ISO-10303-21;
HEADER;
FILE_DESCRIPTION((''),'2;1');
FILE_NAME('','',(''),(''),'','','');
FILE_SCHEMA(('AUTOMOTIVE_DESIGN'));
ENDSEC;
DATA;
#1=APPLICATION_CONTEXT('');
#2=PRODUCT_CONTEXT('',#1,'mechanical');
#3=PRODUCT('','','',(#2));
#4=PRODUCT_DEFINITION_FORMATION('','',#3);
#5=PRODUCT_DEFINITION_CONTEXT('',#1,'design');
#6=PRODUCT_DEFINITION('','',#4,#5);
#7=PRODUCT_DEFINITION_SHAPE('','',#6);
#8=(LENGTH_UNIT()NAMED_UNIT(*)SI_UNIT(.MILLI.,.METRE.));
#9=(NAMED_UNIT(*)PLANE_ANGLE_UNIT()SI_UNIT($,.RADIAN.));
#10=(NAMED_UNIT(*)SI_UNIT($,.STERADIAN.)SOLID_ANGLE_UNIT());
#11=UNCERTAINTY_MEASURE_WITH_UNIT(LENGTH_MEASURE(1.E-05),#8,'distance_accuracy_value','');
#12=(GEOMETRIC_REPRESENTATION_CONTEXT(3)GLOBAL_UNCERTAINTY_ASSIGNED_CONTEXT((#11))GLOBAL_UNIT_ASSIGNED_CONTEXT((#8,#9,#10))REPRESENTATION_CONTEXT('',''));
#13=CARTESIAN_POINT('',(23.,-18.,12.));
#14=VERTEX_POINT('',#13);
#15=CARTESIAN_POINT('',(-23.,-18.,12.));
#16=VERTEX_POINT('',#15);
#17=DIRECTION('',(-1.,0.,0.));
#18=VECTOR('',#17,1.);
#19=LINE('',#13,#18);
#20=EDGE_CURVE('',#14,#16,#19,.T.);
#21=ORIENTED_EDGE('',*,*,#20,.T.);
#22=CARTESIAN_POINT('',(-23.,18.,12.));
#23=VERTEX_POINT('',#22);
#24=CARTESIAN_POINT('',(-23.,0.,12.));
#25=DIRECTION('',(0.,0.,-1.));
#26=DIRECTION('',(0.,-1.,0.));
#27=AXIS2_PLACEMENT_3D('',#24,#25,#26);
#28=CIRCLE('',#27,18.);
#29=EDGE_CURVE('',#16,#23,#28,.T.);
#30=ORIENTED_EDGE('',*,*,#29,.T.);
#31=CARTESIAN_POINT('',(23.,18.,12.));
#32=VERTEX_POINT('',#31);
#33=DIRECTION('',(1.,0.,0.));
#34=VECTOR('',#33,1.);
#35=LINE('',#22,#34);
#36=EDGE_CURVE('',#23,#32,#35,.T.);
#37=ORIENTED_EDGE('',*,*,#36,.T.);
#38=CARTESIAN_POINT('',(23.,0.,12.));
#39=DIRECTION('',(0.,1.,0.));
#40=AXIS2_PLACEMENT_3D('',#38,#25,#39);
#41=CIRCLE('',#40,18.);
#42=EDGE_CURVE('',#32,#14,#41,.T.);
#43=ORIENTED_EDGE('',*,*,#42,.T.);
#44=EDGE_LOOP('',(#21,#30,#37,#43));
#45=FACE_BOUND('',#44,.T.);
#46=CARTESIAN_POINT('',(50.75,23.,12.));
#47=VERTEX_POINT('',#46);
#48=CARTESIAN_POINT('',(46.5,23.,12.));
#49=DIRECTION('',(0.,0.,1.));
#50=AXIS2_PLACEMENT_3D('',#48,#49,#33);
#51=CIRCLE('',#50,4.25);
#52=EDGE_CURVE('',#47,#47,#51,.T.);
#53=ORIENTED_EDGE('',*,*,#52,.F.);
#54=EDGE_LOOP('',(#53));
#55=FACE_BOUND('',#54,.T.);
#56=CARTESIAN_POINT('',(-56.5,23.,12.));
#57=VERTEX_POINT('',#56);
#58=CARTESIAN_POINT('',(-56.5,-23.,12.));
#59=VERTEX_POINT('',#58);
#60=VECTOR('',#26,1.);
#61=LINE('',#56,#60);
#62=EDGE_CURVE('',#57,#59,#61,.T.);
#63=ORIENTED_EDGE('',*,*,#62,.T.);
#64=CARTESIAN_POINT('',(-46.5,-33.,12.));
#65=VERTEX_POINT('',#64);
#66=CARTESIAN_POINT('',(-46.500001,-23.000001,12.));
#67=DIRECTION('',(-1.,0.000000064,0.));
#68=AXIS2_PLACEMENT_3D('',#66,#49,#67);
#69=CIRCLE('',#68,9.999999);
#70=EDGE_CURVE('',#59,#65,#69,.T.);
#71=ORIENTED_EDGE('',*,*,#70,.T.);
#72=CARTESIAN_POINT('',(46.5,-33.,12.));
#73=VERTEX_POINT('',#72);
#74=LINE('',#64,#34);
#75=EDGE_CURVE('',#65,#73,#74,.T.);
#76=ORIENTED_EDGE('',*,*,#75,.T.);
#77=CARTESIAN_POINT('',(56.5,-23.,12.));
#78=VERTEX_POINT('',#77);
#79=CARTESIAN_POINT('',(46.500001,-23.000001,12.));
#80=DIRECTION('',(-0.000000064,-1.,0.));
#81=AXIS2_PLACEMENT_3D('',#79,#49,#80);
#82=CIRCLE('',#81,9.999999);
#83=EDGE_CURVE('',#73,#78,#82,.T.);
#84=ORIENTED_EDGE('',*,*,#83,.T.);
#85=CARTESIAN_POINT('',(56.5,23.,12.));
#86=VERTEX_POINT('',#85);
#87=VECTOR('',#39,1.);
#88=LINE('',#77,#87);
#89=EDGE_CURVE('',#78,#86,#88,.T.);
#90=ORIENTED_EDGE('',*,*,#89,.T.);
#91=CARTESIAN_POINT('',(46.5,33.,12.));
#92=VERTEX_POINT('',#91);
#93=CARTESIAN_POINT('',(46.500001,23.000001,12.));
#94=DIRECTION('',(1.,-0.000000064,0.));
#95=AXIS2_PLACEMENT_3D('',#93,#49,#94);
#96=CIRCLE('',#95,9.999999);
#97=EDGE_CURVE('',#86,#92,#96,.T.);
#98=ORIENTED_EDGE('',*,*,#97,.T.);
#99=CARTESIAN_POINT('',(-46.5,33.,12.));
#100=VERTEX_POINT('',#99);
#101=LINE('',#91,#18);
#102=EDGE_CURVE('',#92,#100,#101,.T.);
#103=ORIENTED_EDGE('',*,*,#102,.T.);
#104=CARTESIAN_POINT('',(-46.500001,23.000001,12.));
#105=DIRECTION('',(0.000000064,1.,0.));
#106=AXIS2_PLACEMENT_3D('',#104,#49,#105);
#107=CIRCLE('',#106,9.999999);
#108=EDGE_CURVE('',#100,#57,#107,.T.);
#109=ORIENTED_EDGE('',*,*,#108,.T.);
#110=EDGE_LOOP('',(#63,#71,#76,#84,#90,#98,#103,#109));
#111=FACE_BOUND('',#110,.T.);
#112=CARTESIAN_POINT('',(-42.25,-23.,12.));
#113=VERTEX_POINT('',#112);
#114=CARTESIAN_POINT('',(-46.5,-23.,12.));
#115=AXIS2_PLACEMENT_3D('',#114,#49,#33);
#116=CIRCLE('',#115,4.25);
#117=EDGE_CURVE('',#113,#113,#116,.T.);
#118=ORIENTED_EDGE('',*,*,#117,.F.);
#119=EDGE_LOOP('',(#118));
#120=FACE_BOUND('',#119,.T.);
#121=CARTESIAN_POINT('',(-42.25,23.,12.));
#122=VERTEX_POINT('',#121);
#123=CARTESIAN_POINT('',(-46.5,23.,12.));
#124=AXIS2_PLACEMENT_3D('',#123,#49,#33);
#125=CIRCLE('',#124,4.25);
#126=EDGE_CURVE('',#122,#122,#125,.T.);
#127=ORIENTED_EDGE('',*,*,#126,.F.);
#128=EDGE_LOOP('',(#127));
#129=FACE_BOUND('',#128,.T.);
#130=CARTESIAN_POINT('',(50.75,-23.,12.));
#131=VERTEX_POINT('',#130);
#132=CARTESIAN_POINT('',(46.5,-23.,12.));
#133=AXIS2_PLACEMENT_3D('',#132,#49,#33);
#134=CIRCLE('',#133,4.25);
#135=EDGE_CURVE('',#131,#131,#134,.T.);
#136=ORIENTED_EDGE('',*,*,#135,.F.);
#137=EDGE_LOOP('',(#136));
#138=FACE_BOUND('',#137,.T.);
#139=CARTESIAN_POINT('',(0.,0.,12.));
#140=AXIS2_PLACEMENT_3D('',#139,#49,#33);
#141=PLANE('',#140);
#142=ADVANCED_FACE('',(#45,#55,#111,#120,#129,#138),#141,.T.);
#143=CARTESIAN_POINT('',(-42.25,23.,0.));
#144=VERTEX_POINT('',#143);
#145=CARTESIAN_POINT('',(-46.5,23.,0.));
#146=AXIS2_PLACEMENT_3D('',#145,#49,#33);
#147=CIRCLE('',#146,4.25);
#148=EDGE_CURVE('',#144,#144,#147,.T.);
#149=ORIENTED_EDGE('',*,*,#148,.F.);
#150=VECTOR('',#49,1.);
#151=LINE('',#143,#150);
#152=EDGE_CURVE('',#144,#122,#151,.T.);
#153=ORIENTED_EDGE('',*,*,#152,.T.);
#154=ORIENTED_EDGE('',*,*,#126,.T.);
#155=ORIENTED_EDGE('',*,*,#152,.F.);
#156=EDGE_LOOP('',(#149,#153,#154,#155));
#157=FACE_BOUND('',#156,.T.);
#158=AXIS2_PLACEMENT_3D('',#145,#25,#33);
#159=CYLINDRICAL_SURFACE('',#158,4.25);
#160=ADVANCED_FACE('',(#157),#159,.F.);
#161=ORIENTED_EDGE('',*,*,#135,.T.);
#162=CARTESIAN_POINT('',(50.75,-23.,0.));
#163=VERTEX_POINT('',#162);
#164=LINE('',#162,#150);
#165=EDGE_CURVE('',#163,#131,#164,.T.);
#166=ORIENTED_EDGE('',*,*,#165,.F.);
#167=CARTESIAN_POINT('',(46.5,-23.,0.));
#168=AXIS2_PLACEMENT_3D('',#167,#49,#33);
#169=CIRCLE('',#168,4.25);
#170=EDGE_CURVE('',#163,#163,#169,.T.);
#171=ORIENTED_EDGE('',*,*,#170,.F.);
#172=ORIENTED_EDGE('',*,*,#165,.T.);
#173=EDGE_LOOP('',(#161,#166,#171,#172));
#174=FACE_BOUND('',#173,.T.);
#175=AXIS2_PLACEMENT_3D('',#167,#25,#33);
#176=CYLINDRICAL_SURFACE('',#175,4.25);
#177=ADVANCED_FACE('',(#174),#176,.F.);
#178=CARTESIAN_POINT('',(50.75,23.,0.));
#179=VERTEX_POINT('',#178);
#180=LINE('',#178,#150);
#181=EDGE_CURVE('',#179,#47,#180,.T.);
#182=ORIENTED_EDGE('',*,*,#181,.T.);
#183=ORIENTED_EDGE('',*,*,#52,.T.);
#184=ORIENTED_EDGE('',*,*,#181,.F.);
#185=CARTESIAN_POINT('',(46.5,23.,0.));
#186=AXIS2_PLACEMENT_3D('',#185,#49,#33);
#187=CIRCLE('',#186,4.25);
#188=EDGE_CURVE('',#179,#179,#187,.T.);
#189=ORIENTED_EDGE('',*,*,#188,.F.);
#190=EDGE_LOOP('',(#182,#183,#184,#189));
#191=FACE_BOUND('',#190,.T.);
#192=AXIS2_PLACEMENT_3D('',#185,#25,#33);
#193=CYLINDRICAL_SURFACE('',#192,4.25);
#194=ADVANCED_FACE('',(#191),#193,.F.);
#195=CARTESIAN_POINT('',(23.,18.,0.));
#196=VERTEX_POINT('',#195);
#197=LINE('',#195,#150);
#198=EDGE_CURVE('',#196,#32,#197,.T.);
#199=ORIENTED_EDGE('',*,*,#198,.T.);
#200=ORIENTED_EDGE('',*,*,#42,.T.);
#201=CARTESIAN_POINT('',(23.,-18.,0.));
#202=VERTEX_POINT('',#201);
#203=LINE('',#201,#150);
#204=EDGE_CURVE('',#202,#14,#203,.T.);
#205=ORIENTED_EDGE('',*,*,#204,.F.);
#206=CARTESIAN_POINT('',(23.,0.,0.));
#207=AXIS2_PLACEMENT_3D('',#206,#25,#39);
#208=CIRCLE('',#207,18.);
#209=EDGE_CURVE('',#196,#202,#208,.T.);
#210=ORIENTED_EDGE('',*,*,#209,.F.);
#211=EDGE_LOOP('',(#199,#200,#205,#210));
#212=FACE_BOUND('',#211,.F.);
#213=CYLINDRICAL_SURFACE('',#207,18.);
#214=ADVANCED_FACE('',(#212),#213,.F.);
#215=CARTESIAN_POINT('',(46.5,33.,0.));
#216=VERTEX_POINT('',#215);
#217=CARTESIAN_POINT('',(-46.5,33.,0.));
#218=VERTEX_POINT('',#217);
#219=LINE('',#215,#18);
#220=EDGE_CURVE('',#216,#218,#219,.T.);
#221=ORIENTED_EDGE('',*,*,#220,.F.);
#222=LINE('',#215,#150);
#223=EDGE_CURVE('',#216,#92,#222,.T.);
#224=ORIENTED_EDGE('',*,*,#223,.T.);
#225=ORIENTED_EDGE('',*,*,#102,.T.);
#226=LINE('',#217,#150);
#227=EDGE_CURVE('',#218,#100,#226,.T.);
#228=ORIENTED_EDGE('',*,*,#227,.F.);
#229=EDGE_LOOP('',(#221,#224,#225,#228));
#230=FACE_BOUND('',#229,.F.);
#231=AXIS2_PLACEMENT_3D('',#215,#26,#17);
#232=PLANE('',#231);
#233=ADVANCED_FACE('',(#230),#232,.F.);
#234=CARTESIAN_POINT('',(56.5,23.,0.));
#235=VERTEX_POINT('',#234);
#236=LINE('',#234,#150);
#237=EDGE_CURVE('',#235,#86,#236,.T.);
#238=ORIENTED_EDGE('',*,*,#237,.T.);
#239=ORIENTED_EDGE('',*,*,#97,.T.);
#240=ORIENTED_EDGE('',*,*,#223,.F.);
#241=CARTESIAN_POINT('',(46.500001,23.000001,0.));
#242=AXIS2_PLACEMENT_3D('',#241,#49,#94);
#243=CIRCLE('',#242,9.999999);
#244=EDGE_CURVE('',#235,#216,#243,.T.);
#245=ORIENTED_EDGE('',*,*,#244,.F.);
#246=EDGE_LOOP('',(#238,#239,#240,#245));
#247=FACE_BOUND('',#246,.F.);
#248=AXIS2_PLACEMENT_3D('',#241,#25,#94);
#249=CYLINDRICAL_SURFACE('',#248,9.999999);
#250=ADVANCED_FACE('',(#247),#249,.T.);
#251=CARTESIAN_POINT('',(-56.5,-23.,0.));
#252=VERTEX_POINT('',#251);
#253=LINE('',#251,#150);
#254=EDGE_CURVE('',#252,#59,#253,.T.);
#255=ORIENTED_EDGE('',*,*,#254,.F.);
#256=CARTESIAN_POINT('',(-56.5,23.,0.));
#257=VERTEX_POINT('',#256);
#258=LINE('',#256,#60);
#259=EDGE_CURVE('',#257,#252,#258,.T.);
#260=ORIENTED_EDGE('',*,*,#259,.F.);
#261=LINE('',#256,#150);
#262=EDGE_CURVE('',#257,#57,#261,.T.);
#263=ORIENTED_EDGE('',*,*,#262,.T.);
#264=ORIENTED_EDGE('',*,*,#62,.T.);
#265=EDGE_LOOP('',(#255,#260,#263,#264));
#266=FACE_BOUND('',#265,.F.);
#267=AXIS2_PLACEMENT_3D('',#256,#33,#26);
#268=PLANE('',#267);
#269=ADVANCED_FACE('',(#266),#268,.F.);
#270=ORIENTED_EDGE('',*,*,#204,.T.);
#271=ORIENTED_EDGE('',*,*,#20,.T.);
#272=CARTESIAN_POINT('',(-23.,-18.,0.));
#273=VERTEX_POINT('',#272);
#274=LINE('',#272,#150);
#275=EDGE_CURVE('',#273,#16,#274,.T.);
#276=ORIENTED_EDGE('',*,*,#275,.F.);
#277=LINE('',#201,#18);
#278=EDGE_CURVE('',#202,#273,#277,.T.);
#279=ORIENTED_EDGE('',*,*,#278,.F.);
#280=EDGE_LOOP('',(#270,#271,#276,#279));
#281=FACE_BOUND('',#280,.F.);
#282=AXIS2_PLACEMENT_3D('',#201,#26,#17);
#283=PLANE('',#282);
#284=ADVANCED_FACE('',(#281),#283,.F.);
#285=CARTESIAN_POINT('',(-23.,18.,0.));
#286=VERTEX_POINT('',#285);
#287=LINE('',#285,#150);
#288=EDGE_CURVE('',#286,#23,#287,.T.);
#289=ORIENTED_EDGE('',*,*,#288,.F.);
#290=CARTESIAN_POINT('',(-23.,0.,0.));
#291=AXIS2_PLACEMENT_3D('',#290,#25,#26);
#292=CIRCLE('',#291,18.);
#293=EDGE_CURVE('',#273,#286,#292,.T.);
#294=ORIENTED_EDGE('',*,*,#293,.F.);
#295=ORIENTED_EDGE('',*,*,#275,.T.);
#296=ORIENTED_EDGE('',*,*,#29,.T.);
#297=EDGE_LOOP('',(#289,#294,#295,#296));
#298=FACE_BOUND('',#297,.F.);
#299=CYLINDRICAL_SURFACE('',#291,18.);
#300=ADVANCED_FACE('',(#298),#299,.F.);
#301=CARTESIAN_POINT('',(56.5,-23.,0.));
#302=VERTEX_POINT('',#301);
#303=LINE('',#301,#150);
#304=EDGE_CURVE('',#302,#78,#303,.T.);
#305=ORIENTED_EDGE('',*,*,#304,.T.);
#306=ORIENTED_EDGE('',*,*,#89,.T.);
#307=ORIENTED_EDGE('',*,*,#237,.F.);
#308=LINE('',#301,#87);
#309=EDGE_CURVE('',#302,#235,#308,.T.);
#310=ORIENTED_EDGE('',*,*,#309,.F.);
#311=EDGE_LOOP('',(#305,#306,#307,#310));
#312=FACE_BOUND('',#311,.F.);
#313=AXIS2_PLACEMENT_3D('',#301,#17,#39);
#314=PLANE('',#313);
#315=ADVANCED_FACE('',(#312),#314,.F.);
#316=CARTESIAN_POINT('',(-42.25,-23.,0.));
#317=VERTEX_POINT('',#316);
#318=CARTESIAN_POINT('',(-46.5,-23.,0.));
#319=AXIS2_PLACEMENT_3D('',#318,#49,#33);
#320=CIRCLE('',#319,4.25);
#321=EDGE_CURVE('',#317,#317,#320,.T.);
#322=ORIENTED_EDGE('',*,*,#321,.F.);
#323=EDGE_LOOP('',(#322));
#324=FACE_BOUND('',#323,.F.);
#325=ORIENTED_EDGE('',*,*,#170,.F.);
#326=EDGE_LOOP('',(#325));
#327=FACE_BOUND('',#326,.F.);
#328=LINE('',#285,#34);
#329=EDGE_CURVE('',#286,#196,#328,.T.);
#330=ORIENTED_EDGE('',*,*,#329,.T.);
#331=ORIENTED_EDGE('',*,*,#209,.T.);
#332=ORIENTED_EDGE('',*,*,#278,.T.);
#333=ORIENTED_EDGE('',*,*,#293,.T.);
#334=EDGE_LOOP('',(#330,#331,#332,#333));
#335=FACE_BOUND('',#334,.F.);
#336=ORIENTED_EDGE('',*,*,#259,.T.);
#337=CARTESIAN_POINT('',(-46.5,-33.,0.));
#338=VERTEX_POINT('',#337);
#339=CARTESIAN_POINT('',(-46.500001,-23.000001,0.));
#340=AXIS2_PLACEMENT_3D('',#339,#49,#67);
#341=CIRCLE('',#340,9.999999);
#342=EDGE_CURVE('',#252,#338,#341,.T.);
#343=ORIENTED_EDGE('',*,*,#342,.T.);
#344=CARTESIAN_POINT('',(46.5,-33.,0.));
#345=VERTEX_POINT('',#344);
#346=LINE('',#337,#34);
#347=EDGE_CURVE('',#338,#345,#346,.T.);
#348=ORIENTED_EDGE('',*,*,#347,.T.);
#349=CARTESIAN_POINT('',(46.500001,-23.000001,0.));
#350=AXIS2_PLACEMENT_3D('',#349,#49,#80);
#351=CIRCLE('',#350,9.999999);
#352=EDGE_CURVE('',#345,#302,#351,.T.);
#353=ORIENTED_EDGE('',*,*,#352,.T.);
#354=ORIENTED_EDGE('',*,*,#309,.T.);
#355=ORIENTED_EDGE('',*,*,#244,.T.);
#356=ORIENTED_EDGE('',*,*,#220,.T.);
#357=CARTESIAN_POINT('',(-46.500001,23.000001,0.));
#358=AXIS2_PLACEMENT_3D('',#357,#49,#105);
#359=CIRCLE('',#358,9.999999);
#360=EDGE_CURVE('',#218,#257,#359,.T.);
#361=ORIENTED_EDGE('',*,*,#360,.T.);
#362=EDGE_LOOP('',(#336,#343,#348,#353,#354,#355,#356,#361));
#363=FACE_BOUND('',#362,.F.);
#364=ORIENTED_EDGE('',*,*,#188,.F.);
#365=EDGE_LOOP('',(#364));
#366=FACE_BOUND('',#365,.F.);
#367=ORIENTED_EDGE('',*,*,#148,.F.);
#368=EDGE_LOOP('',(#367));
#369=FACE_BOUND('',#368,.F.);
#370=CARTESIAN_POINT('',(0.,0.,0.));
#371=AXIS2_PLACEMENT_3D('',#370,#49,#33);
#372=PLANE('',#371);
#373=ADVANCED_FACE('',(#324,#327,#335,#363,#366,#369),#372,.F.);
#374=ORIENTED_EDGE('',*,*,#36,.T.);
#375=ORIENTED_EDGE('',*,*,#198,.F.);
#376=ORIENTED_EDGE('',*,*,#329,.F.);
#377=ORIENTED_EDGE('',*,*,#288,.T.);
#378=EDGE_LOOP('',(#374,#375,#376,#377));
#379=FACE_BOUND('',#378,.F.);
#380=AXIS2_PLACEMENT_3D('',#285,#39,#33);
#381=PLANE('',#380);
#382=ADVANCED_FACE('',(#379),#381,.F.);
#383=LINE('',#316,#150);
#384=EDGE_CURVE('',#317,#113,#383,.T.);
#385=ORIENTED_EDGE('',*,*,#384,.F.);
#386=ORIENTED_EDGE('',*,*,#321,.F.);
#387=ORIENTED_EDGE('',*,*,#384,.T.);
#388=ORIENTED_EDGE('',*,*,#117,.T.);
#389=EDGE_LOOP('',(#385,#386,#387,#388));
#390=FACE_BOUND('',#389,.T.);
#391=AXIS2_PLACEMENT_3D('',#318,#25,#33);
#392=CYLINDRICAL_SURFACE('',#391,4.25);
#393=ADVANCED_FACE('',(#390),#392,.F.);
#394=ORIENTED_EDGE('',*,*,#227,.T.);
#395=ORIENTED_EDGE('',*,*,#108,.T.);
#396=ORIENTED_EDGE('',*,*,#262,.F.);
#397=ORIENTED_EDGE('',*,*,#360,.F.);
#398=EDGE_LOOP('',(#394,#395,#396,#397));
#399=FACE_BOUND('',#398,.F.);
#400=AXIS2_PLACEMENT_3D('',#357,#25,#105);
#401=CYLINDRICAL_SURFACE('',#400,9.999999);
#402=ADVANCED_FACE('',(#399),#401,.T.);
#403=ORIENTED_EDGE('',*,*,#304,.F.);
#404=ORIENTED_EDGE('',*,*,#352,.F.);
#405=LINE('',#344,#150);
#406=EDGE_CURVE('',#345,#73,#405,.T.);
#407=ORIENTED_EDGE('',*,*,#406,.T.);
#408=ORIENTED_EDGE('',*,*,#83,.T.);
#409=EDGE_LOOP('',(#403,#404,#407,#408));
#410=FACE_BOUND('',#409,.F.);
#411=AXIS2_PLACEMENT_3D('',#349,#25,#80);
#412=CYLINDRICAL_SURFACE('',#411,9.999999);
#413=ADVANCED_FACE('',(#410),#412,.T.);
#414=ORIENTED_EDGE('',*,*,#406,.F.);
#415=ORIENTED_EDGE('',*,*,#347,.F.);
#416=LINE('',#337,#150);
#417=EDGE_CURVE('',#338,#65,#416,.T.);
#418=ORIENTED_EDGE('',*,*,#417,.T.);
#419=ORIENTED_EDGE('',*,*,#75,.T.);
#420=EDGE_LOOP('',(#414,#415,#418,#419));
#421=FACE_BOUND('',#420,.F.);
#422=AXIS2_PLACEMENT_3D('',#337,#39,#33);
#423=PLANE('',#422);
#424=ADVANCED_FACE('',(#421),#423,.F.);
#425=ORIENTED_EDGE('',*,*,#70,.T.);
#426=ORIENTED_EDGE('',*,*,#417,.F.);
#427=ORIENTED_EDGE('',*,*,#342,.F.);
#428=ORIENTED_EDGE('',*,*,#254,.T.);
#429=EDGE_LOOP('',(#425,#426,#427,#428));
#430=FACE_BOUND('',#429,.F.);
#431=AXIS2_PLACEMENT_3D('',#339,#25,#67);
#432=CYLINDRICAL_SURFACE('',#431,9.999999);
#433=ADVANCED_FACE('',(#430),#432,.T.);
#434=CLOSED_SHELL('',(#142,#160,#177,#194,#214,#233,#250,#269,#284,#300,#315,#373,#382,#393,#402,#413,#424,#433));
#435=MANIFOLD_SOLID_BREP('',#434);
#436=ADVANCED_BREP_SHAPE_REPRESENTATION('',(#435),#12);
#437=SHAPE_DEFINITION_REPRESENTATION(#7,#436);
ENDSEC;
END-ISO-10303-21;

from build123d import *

# Parameters (mm, degrees)
F0_R     = 4.25
F1_DEPTH = 12


with BuildPart() as f1:
    # F0 (on Top) → F1 (new body)
    with BuildSketch(Plane.XY):
        with BuildLine():
            Line((46.5, 33), (-46.5, 33))
            ThreePointArc((-46.5, 33), (-53.571068, 30.071068), (-56.5, 23))
            Line((-56.5, 23), (-56.5, -23))
            ThreePointArc((-56.5, -23), (-53.571068, -30.071068), (-46.5, -33))
            Line((-46.5, -33), (46.5, -33))
            ThreePointArc((46.5, -33), (53.571068, -30.071068), (56.5, -23))
            Line((56.5, -23), (56.5, 23))
            ThreePointArc((56.5, 23), (53.571068, 30.071068), (46.5, 33))
        make_face()
        with Locations((-46.5, -23)):
            Circle(F0_R, mode=Mode.SUBTRACT)
        with Locations((46.5, -23)):
            Circle(F0_R, mode=Mode.SUBTRACT)
        with Locations((-46.5, 23)):
            Circle(F0_R, mode=Mode.SUBTRACT)
        with BuildLine():
            Line((23, -18), (-23, -18))
            ThreePointArc((-23, -18), (-41, 0), (-23, 18))
            Line((-23, 18), (23, 18))
            ThreePointArc((23, 18), (41, 0), (23, -18))
        make_face(mode=Mode.SUBTRACT)
        with Locations((46.5, 23)):
            Circle(F0_R, mode=Mode.SUBTRACT)
    extrude(amount=F1_DEPTH)


solid = f1.part
